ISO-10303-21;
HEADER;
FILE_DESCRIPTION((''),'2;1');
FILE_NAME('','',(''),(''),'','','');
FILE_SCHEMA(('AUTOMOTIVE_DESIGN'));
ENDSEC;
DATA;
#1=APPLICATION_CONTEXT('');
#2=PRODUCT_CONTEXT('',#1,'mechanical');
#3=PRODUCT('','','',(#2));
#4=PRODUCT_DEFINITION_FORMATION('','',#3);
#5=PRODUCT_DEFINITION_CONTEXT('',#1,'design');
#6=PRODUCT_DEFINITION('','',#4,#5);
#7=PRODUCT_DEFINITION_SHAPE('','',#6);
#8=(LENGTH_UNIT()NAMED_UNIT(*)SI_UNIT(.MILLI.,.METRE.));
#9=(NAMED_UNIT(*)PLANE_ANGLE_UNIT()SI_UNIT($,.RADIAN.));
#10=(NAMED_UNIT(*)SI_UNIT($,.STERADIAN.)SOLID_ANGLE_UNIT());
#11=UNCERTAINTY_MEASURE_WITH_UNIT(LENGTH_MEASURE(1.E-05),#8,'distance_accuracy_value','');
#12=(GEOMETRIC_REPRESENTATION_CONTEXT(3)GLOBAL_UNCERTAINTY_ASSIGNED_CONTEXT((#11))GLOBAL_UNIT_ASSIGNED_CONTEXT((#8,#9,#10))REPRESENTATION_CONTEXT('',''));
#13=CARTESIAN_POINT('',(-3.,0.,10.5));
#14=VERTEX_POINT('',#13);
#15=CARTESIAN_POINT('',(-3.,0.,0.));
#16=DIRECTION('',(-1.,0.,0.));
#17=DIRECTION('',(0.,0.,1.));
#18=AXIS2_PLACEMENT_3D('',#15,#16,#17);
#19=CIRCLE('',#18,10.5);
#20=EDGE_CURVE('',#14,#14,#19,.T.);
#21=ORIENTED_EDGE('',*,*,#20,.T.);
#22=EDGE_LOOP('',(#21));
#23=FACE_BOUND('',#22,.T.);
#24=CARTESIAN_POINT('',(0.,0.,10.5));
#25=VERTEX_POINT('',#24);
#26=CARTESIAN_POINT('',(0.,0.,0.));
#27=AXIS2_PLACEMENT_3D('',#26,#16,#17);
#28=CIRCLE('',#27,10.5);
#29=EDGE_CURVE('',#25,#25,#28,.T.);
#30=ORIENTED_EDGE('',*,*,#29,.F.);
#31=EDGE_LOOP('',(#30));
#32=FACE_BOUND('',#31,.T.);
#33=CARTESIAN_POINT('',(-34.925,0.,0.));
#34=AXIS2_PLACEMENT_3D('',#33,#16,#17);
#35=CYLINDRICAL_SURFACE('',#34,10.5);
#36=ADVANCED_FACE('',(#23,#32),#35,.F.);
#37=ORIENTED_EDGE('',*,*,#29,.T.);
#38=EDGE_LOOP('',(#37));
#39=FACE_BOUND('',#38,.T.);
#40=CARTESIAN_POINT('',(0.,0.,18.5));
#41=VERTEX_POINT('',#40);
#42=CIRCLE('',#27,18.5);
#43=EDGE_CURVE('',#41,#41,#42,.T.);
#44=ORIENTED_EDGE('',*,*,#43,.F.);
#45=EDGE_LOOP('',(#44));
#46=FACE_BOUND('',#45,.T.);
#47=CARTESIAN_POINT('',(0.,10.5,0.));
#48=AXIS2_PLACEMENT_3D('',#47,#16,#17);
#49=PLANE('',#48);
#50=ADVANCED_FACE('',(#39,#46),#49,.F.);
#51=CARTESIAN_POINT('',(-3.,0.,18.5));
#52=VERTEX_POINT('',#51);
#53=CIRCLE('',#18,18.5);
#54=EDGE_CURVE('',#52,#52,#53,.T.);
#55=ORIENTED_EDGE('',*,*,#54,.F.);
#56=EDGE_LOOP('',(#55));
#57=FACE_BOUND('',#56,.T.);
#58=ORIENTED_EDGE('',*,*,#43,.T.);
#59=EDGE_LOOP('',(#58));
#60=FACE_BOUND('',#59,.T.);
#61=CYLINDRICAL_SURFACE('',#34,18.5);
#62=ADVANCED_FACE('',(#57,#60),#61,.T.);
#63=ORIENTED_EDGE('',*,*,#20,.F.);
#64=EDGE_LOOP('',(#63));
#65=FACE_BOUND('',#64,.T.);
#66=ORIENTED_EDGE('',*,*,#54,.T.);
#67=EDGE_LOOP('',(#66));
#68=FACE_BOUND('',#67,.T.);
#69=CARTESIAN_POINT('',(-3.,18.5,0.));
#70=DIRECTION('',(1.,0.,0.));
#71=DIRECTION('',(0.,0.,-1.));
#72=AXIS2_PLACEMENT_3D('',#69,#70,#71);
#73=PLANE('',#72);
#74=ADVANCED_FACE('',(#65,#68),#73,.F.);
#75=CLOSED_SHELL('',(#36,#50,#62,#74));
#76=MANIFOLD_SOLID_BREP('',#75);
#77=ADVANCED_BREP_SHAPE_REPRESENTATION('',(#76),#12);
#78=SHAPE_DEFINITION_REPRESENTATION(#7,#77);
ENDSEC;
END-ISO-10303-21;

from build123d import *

# Parameters (mm, degrees)
SKETCH1_W = 3
SKETCH1_H = 8


with BuildPart() as part:
    # Sketch1 → Base-Revolve (revolve)
    with BuildSketch(Plane.XY):
        with Locations((-1.5, 14.5)):
            Rectangle(SKETCH1_W, SKETCH1_H)
    revolve(axis=Axis((-34.925, 0, 0), (1, 0, 0)))


solid = part.part
